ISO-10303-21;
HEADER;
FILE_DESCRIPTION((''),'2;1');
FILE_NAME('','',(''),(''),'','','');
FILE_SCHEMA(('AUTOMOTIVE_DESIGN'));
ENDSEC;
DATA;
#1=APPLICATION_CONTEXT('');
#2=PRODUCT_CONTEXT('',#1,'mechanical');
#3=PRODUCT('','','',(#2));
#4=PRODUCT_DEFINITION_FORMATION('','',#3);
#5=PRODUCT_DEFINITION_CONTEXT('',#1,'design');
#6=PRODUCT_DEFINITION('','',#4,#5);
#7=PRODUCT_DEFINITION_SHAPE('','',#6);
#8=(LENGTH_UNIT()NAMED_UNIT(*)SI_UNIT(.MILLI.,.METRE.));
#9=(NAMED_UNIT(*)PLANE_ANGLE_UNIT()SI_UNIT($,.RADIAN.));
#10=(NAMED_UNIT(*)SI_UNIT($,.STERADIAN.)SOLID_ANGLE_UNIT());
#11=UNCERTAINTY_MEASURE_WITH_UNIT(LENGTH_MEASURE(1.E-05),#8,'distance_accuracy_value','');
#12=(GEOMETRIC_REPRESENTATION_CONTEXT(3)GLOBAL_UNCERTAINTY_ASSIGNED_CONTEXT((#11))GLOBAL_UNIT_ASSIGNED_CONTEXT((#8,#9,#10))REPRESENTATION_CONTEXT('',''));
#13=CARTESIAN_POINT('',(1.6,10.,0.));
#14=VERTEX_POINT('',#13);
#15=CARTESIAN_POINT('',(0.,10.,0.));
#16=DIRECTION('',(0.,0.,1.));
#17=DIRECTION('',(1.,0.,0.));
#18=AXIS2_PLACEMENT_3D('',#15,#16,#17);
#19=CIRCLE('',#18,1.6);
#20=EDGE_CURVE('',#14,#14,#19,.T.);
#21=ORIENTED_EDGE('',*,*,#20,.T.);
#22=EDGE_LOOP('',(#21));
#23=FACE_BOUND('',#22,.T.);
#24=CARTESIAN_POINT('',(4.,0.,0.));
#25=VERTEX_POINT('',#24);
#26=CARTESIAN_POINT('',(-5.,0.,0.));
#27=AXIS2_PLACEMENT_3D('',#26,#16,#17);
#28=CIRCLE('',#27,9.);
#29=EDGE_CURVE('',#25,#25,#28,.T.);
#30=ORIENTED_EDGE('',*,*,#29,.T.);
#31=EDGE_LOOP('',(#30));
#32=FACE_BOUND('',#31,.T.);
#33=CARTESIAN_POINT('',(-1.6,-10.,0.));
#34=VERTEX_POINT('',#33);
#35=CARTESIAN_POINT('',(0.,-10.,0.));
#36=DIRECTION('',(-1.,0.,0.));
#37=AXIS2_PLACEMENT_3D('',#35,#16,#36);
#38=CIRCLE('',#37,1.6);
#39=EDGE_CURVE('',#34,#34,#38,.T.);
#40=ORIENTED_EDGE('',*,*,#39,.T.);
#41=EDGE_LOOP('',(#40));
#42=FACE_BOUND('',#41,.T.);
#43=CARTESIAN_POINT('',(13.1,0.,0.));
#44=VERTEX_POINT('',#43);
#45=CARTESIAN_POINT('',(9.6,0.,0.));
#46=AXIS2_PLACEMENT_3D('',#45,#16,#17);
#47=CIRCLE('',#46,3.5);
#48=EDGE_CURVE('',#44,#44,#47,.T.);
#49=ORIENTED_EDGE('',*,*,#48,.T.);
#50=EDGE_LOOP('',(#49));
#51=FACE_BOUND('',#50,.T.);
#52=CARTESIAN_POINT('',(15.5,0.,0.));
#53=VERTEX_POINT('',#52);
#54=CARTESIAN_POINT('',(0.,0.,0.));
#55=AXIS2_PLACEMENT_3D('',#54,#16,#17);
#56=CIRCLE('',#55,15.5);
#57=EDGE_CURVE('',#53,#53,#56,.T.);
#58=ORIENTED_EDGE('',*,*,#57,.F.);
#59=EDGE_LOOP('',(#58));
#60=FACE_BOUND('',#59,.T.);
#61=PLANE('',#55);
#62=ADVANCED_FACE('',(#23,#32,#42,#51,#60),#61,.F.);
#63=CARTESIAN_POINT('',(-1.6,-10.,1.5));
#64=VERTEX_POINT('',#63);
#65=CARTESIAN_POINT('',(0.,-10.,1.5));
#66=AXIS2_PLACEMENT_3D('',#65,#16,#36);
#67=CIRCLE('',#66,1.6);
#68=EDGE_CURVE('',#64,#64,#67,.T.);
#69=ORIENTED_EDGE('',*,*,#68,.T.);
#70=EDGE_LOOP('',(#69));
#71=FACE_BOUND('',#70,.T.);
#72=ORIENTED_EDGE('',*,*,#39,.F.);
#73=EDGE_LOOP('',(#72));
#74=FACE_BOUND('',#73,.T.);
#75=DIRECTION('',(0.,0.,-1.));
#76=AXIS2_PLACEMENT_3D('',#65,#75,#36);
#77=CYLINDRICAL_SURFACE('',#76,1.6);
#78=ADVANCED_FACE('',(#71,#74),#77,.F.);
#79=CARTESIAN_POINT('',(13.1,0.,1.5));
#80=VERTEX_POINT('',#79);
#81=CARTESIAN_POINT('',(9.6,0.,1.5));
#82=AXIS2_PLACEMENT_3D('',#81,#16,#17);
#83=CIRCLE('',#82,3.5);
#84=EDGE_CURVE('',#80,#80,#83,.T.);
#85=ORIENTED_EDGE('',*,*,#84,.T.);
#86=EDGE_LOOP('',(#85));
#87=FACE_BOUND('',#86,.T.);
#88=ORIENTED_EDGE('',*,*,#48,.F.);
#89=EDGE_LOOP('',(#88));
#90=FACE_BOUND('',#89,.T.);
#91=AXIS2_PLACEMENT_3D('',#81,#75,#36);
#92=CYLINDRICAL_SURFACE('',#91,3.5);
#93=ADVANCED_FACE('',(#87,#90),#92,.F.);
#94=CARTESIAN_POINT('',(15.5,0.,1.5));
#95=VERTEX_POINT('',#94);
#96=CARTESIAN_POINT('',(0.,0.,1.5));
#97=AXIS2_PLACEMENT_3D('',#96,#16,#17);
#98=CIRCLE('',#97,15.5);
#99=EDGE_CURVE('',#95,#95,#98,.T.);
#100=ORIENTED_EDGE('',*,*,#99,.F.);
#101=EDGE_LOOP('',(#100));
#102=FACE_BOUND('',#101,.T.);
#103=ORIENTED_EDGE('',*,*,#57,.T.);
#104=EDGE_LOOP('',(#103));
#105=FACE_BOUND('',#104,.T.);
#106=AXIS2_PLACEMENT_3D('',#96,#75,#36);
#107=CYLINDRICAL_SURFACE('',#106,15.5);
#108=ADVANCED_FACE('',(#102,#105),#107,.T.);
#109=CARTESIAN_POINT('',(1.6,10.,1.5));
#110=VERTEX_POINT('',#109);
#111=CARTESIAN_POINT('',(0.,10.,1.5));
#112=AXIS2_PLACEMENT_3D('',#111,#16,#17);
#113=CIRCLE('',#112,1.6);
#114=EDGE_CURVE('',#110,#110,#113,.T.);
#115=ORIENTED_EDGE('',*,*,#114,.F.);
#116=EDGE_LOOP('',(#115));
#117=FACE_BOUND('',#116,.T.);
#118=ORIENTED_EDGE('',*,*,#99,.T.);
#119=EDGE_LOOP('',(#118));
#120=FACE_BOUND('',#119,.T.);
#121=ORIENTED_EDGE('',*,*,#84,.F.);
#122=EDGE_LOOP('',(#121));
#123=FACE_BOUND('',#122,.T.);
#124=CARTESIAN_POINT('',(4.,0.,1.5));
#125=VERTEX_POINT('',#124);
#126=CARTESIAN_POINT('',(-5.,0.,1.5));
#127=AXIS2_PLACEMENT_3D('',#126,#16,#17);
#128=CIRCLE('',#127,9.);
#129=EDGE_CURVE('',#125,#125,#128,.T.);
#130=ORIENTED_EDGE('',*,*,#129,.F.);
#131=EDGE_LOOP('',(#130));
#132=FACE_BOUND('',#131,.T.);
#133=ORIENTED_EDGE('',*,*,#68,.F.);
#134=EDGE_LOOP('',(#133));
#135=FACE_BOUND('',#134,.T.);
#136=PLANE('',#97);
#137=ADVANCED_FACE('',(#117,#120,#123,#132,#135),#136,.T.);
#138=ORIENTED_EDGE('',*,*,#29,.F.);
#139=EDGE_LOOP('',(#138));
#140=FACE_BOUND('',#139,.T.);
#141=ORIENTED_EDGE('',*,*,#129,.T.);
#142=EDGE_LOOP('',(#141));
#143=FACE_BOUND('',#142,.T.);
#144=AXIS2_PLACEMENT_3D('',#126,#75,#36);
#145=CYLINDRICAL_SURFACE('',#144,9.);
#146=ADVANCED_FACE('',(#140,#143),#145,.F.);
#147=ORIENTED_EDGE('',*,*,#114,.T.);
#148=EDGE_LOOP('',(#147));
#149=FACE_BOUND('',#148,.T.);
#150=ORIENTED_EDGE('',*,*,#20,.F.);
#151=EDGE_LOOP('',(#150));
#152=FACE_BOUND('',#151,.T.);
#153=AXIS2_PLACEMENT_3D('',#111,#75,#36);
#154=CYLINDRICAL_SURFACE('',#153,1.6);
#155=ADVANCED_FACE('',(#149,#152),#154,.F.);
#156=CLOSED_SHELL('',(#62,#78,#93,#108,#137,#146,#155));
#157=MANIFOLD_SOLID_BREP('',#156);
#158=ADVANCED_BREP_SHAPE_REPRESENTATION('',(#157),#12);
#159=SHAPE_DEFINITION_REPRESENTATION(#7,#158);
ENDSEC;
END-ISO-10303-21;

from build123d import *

# Parameters (mm, degrees)
SKETCH_1_R      = 15.5
SKETCH_1_R_2    = 9
SKETCH_1_R_3    = 3.5
SKETCH_1_R_4    = 1.6
EXTRUDE_1_DEPTH = 1.5


with BuildPart() as part:
    # Эскиз1 → Бобышка-Вытянуть1 (new body)
    with BuildSketch(Plane.XY):
        Circle(SKETCH_1_R)
        with Locations((-5, 0)):
            Circle(SKETCH_1_R_2, mode=Mode.SUBTRACT)
        with Locations((9.6, 0)):
            Circle(SKETCH_1_R_3, mode=Mode.SUBTRACT)
        with Locations((0, 10)):
            Circle(SKETCH_1_R_4, mode=Mode.SUBTRACT)
        with Locations(Location((0, -10, 0), (0, 0, 180))):
            Circle(SKETCH_1_R_4, mode=Mode.SUBTRACT)
    extrude(amount=EXTRUDE_1_DEPTH)


solid = part.part
